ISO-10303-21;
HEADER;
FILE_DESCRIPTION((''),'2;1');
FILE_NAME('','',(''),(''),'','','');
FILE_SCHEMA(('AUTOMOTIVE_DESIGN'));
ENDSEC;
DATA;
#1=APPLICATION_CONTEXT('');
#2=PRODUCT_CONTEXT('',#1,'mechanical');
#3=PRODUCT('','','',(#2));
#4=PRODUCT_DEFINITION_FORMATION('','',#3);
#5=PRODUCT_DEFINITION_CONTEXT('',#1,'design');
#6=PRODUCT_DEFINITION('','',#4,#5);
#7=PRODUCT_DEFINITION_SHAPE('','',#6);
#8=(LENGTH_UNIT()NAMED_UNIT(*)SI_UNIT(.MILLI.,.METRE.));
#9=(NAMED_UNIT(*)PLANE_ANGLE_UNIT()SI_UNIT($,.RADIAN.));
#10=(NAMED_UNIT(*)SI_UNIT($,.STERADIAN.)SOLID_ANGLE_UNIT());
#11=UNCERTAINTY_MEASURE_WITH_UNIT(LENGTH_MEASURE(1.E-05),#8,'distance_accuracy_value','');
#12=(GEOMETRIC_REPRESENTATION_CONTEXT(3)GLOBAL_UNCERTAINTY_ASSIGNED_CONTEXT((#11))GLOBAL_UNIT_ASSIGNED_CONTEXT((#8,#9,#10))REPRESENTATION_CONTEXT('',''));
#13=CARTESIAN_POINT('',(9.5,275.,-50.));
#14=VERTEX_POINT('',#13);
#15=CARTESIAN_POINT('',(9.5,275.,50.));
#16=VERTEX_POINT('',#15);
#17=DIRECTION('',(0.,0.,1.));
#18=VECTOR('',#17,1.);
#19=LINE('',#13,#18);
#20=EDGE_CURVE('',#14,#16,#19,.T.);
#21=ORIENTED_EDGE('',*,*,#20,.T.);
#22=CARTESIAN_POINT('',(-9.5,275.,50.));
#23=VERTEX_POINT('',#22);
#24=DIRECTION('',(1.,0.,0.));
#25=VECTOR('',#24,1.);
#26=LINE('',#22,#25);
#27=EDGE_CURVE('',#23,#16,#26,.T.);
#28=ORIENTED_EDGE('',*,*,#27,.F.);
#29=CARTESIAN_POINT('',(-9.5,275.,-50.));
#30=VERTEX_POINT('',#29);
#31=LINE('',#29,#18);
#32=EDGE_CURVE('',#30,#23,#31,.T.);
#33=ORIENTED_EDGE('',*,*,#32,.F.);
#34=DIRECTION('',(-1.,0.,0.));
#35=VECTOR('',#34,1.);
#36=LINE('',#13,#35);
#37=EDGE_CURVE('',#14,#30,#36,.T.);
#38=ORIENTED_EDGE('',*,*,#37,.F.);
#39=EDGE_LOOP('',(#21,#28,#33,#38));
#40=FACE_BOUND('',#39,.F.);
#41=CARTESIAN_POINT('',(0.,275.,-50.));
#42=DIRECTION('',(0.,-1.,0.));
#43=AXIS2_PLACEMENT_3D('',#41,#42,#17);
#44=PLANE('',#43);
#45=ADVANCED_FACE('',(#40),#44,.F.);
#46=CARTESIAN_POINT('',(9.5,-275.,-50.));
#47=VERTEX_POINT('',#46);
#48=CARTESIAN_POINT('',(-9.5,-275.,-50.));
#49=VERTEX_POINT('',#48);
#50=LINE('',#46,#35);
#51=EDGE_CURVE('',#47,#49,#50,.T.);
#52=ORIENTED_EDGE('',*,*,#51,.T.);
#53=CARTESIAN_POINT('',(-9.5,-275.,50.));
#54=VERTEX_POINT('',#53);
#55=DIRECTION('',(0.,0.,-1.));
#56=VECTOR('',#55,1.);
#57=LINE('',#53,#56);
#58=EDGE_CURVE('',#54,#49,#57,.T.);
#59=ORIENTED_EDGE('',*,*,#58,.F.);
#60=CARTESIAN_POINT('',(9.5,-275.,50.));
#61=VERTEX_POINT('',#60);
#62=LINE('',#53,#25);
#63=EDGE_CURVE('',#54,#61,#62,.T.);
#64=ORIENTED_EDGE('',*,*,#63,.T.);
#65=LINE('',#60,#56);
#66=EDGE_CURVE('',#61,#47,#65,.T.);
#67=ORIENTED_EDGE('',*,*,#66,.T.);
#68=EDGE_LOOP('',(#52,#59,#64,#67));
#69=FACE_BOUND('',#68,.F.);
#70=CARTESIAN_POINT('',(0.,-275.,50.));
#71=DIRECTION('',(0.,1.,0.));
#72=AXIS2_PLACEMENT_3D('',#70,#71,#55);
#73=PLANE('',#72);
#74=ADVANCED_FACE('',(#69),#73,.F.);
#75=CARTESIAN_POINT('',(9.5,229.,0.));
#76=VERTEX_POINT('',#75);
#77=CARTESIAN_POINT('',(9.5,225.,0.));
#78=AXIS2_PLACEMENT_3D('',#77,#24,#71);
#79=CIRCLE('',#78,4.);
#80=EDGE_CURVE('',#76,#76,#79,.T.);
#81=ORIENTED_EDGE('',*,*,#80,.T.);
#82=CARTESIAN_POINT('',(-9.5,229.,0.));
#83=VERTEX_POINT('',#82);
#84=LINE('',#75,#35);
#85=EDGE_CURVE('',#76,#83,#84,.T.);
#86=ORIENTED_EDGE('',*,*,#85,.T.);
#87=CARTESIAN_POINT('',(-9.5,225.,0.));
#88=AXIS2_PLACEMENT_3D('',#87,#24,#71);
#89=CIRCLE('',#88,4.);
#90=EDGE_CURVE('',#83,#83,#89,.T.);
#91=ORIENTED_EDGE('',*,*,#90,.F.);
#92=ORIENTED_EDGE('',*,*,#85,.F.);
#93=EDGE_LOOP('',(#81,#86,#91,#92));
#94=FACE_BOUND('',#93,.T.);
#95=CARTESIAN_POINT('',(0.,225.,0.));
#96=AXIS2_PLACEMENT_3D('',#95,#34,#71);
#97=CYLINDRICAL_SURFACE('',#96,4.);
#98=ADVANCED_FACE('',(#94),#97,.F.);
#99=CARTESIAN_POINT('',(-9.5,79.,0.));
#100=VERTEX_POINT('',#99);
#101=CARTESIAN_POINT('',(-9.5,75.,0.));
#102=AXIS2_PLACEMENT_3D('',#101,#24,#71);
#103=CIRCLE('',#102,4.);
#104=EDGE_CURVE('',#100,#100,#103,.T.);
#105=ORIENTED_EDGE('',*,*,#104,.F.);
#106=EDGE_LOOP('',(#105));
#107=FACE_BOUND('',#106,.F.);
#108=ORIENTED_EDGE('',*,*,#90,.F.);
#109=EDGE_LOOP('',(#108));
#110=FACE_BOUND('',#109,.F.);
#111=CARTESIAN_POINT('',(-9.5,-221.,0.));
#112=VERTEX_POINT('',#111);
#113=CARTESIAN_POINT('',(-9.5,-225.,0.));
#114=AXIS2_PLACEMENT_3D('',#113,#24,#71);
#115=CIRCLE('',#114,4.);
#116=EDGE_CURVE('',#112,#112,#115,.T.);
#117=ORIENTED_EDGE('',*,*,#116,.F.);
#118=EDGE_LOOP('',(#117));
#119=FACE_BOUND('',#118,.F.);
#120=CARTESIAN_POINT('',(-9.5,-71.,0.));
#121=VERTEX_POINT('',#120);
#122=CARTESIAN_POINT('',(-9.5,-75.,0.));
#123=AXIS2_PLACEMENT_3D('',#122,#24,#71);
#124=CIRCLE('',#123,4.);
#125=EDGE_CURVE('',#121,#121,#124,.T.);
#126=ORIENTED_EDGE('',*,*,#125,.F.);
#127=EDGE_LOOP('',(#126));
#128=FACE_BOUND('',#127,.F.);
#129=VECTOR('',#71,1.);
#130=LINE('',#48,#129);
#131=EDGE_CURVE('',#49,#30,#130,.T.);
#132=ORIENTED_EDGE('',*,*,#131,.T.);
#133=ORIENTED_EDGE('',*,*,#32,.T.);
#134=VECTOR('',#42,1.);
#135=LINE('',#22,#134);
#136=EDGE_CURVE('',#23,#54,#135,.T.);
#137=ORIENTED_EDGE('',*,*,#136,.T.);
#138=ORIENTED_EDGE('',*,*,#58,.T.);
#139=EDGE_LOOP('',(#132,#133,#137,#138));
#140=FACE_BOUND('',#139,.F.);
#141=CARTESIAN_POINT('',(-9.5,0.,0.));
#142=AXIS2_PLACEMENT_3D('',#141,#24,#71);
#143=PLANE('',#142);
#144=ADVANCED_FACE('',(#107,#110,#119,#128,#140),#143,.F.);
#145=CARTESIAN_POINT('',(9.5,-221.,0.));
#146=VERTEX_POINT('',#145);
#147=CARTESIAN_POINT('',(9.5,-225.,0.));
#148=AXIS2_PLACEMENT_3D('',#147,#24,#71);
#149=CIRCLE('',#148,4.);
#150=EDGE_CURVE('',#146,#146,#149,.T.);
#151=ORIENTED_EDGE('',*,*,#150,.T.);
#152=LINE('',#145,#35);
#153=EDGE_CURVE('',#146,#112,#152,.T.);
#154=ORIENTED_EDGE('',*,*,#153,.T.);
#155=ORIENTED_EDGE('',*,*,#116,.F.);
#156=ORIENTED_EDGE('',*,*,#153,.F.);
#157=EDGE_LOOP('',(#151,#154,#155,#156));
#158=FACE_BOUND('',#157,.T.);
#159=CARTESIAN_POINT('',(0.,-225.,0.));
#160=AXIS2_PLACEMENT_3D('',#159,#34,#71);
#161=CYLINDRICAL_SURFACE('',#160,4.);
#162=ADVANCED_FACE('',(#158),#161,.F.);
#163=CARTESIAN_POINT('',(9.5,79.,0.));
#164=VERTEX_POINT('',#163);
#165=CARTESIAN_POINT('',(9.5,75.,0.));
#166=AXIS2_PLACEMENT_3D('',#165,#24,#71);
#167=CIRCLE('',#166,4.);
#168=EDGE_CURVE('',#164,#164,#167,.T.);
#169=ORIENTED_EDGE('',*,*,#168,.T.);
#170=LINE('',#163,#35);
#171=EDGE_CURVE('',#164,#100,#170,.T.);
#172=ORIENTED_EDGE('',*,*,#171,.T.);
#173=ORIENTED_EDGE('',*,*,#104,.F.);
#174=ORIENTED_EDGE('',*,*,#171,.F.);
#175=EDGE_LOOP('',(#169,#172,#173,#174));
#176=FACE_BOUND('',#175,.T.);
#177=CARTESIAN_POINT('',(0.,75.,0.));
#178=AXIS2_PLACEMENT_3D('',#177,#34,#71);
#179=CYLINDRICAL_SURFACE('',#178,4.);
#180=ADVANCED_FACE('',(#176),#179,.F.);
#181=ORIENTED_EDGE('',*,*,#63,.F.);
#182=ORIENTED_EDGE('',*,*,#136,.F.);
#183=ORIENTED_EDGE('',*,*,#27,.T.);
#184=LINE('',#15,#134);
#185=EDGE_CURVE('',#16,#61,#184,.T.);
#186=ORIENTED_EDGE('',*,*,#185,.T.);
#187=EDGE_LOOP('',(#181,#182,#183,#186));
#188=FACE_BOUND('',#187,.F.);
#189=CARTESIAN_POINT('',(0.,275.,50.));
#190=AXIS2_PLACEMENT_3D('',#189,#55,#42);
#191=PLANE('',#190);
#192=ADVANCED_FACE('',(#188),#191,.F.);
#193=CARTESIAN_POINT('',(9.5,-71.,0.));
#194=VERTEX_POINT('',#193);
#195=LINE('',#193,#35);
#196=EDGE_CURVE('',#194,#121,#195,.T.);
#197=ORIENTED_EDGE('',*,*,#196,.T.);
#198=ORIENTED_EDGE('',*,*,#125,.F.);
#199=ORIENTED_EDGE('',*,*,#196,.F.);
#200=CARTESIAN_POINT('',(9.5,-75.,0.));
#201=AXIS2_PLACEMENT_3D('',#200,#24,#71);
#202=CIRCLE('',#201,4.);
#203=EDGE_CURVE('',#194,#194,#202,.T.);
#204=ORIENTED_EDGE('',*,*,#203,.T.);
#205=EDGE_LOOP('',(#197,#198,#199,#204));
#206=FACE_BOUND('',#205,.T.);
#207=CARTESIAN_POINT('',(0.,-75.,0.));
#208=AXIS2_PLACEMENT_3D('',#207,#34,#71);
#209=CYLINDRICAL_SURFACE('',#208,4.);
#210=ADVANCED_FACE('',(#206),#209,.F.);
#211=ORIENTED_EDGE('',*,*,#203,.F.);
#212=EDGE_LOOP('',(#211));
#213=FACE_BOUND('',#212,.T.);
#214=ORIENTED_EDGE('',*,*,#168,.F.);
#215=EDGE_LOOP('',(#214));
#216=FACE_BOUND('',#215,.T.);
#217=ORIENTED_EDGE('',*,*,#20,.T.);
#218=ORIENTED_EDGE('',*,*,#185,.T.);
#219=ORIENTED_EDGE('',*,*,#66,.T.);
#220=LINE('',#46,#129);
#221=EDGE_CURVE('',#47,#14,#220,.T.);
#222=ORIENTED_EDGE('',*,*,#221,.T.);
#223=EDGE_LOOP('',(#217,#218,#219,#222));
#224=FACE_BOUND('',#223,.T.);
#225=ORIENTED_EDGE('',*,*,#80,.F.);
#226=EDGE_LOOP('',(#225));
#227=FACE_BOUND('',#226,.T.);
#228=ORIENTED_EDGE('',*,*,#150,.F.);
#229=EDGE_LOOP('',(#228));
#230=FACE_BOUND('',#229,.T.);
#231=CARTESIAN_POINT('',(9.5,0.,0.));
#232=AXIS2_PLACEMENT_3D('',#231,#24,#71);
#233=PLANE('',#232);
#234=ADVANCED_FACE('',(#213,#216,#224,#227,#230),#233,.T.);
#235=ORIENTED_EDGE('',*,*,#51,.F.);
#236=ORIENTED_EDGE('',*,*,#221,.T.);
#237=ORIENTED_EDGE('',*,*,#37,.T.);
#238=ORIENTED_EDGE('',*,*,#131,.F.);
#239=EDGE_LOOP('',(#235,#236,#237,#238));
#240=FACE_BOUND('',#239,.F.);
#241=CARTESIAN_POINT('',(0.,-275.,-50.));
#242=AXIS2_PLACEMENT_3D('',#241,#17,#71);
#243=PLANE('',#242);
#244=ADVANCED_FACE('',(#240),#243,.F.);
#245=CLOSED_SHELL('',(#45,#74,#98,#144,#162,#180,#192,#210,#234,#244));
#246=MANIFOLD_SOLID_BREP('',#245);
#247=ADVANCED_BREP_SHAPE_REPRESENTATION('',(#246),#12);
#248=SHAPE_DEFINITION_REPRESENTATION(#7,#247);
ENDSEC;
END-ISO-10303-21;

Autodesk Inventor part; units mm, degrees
ref_plane "YZ Plane" through (0, 0, 0) normal (1, 0, 0) x (0, 1, 0)
ref_plane "XZ Plane" through (0, 0, 0) normal (0, 1, 0) x (-1, 0, 0)
ref_plane "XY Plane" through (0, 0, 0) normal (0, 0, 1) x (1, 0, 0)
sketch "Sketch1" plane through (0, 0, 0) normal (1, 0, 0) x (0, 1, 0)
  line L0 (275, 50) -> (-275, 50)
  line L1 (-275, 50) -> (-275, -50)
  line L2 (-275, -50) -> (275, -50)
  line L3 (275, -50) -> (275, 50)
  circle A0 centre (225, 0) radius 4
  circle A1 centre (75, 0) radius 4
  circle A2 centre (-75, 0) radius 4
  circle A3 centre (-225, 0) radius 4
  point P0 (275, 0)
  point P1 (-275, 0)
  dimension "d0" = 550
  dimension "d1" = 100
  dimension "d7" = 8
  dimension "d8" = 8
  dimension "d9" = 8
  dimension "d10" = 8
  dimension "d11" = 150
  dimension "d12" = 50
  dimension "d13" = 150
  dimension "d14" = 150
  dimension "d15" = 50
extrude "Extrusion1" add sketch "Sketch1" along normal mid plane 19
properties part number "G"
